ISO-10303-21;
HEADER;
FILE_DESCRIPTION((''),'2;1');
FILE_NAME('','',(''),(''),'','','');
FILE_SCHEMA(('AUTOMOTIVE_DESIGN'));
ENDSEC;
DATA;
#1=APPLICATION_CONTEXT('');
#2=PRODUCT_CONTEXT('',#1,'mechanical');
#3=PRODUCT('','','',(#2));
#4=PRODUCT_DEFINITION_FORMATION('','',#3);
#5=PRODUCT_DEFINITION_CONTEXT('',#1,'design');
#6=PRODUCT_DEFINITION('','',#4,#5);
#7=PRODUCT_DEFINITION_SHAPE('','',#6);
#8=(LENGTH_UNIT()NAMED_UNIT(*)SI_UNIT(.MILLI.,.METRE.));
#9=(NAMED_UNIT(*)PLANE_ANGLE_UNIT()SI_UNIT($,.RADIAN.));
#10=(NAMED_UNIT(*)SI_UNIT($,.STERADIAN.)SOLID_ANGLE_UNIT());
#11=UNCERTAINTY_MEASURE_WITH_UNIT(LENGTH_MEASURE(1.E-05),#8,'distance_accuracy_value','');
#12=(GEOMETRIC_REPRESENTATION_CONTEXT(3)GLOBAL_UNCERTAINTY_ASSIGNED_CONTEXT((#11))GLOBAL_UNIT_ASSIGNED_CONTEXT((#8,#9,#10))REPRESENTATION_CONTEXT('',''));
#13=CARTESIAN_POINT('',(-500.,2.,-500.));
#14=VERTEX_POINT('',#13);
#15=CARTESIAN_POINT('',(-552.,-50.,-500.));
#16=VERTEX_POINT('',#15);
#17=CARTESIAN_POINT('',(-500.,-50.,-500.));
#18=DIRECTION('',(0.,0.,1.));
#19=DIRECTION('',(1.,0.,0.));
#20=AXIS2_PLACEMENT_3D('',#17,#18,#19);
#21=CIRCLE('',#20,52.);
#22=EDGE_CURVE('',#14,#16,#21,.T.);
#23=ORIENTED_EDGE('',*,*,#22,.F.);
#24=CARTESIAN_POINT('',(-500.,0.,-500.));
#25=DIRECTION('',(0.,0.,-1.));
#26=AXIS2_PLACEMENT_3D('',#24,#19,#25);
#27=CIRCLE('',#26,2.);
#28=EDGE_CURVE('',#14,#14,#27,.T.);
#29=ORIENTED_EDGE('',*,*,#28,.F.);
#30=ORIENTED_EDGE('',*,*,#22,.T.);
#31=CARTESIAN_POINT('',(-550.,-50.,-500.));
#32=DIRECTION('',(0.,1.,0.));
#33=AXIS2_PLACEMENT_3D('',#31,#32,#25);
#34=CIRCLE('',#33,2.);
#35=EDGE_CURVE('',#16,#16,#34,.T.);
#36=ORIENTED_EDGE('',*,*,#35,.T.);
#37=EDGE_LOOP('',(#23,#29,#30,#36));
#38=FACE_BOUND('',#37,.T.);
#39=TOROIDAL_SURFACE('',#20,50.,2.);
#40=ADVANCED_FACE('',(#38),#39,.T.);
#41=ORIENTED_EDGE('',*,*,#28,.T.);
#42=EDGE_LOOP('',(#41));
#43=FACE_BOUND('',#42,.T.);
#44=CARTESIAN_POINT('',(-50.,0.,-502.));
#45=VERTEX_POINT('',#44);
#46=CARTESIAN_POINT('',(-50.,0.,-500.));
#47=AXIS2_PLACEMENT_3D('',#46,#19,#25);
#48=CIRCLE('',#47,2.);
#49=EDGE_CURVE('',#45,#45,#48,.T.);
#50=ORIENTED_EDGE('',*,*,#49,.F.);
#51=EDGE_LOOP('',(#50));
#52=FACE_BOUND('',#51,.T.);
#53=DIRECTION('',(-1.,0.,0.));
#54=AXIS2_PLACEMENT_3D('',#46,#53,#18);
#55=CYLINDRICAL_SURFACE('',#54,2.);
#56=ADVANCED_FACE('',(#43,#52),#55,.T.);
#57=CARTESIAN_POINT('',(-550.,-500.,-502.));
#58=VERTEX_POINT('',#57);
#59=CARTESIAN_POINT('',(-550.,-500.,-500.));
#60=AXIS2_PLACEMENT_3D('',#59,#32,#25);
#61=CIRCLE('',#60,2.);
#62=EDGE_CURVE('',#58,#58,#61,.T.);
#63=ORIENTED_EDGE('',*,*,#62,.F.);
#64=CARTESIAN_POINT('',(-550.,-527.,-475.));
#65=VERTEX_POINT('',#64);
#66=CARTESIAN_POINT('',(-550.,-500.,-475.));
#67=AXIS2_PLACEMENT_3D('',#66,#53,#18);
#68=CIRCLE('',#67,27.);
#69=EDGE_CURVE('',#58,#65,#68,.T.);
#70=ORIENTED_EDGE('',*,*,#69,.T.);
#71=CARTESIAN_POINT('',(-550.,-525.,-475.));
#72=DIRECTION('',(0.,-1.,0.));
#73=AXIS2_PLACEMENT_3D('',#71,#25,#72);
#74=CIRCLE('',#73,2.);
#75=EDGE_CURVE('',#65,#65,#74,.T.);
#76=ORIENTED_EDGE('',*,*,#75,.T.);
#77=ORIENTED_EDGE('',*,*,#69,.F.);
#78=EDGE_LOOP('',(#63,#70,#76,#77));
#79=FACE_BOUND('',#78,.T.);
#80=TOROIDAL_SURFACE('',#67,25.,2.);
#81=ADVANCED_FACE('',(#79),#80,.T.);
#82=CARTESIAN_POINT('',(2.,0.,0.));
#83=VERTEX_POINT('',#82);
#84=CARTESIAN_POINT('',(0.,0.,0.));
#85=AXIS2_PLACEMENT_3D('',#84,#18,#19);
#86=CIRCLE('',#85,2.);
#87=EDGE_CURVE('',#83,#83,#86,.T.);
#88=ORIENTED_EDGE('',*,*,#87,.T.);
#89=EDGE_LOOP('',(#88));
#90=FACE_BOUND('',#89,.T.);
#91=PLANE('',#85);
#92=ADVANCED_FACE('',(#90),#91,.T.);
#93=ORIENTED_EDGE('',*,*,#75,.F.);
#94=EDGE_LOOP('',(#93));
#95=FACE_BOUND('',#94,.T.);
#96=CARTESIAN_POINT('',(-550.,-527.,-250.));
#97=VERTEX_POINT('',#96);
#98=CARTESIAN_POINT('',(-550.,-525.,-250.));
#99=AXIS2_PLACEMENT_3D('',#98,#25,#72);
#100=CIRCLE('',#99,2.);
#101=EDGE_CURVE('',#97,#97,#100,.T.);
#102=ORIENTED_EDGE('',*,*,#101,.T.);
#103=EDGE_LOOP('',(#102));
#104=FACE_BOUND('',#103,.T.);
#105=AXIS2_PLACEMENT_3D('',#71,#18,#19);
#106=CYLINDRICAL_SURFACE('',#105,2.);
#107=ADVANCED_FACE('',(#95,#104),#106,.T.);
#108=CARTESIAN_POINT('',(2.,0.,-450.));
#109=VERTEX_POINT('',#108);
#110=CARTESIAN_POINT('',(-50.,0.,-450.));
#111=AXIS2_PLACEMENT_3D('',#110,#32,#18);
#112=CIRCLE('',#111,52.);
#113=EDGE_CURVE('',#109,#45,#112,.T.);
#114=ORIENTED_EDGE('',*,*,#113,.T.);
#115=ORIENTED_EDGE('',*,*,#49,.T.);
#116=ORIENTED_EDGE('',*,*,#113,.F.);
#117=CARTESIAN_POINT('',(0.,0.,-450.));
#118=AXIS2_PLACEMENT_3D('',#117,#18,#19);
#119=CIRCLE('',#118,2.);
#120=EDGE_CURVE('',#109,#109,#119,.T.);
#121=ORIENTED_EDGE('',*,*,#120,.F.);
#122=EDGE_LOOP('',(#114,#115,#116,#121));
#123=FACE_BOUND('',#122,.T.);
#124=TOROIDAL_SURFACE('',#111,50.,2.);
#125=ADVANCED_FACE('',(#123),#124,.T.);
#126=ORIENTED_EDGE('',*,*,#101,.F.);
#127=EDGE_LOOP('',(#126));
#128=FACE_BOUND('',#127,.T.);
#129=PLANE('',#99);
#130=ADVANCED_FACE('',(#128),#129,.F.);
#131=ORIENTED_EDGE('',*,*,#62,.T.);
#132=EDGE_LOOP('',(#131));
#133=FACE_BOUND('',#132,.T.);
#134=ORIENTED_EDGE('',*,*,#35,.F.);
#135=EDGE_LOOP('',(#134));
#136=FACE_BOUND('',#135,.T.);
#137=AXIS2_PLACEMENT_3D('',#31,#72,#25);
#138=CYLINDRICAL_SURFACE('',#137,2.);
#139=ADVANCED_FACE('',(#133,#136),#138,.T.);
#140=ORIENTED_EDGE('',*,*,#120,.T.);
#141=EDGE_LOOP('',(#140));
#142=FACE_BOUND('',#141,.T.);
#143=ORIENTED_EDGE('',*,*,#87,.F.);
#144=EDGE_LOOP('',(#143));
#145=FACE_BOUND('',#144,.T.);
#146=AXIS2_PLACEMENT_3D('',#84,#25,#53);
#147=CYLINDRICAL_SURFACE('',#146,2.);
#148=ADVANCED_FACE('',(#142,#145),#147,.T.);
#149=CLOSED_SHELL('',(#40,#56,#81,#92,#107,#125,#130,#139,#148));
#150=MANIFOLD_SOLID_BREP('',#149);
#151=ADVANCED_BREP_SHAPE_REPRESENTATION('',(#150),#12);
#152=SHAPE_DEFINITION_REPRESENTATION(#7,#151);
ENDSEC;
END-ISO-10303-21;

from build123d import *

# Parameters (mm, degrees)
SKETCH1_R = 2


with BuildPart() as part:
    # Sweep1: sweep along a curve in space
    with BuildLine() as sweep1_path:
        Line((0, 0, 0), (0, 0, -450))
        ThreePointArc((0, 0, -450), (-14.644660941, 0, -485.355339059), (-50, 0, -500))
        Line((-50, 0, -500), (-500, 0, -500))
        ThreePointArc((-500, 0, -500), (-535.355339059, -14.644660941, -500), (-550, -50, -500))
        Line((-550, -50, -500), (-550, -500, -500))
        ThreePointArc((-550, -525, -475), (-550, -517.67766953, -492.67766953), (-550, -500, -500))
        Line((-550, -525, -475), (-550, -525, -250))
    # Sketch1 → Sweep1 (sweep)
    with BuildSketch(Plane.XY):
        Circle(SKETCH1_R)
    sweep(path=sweep1_path.line)


solid = part.part
